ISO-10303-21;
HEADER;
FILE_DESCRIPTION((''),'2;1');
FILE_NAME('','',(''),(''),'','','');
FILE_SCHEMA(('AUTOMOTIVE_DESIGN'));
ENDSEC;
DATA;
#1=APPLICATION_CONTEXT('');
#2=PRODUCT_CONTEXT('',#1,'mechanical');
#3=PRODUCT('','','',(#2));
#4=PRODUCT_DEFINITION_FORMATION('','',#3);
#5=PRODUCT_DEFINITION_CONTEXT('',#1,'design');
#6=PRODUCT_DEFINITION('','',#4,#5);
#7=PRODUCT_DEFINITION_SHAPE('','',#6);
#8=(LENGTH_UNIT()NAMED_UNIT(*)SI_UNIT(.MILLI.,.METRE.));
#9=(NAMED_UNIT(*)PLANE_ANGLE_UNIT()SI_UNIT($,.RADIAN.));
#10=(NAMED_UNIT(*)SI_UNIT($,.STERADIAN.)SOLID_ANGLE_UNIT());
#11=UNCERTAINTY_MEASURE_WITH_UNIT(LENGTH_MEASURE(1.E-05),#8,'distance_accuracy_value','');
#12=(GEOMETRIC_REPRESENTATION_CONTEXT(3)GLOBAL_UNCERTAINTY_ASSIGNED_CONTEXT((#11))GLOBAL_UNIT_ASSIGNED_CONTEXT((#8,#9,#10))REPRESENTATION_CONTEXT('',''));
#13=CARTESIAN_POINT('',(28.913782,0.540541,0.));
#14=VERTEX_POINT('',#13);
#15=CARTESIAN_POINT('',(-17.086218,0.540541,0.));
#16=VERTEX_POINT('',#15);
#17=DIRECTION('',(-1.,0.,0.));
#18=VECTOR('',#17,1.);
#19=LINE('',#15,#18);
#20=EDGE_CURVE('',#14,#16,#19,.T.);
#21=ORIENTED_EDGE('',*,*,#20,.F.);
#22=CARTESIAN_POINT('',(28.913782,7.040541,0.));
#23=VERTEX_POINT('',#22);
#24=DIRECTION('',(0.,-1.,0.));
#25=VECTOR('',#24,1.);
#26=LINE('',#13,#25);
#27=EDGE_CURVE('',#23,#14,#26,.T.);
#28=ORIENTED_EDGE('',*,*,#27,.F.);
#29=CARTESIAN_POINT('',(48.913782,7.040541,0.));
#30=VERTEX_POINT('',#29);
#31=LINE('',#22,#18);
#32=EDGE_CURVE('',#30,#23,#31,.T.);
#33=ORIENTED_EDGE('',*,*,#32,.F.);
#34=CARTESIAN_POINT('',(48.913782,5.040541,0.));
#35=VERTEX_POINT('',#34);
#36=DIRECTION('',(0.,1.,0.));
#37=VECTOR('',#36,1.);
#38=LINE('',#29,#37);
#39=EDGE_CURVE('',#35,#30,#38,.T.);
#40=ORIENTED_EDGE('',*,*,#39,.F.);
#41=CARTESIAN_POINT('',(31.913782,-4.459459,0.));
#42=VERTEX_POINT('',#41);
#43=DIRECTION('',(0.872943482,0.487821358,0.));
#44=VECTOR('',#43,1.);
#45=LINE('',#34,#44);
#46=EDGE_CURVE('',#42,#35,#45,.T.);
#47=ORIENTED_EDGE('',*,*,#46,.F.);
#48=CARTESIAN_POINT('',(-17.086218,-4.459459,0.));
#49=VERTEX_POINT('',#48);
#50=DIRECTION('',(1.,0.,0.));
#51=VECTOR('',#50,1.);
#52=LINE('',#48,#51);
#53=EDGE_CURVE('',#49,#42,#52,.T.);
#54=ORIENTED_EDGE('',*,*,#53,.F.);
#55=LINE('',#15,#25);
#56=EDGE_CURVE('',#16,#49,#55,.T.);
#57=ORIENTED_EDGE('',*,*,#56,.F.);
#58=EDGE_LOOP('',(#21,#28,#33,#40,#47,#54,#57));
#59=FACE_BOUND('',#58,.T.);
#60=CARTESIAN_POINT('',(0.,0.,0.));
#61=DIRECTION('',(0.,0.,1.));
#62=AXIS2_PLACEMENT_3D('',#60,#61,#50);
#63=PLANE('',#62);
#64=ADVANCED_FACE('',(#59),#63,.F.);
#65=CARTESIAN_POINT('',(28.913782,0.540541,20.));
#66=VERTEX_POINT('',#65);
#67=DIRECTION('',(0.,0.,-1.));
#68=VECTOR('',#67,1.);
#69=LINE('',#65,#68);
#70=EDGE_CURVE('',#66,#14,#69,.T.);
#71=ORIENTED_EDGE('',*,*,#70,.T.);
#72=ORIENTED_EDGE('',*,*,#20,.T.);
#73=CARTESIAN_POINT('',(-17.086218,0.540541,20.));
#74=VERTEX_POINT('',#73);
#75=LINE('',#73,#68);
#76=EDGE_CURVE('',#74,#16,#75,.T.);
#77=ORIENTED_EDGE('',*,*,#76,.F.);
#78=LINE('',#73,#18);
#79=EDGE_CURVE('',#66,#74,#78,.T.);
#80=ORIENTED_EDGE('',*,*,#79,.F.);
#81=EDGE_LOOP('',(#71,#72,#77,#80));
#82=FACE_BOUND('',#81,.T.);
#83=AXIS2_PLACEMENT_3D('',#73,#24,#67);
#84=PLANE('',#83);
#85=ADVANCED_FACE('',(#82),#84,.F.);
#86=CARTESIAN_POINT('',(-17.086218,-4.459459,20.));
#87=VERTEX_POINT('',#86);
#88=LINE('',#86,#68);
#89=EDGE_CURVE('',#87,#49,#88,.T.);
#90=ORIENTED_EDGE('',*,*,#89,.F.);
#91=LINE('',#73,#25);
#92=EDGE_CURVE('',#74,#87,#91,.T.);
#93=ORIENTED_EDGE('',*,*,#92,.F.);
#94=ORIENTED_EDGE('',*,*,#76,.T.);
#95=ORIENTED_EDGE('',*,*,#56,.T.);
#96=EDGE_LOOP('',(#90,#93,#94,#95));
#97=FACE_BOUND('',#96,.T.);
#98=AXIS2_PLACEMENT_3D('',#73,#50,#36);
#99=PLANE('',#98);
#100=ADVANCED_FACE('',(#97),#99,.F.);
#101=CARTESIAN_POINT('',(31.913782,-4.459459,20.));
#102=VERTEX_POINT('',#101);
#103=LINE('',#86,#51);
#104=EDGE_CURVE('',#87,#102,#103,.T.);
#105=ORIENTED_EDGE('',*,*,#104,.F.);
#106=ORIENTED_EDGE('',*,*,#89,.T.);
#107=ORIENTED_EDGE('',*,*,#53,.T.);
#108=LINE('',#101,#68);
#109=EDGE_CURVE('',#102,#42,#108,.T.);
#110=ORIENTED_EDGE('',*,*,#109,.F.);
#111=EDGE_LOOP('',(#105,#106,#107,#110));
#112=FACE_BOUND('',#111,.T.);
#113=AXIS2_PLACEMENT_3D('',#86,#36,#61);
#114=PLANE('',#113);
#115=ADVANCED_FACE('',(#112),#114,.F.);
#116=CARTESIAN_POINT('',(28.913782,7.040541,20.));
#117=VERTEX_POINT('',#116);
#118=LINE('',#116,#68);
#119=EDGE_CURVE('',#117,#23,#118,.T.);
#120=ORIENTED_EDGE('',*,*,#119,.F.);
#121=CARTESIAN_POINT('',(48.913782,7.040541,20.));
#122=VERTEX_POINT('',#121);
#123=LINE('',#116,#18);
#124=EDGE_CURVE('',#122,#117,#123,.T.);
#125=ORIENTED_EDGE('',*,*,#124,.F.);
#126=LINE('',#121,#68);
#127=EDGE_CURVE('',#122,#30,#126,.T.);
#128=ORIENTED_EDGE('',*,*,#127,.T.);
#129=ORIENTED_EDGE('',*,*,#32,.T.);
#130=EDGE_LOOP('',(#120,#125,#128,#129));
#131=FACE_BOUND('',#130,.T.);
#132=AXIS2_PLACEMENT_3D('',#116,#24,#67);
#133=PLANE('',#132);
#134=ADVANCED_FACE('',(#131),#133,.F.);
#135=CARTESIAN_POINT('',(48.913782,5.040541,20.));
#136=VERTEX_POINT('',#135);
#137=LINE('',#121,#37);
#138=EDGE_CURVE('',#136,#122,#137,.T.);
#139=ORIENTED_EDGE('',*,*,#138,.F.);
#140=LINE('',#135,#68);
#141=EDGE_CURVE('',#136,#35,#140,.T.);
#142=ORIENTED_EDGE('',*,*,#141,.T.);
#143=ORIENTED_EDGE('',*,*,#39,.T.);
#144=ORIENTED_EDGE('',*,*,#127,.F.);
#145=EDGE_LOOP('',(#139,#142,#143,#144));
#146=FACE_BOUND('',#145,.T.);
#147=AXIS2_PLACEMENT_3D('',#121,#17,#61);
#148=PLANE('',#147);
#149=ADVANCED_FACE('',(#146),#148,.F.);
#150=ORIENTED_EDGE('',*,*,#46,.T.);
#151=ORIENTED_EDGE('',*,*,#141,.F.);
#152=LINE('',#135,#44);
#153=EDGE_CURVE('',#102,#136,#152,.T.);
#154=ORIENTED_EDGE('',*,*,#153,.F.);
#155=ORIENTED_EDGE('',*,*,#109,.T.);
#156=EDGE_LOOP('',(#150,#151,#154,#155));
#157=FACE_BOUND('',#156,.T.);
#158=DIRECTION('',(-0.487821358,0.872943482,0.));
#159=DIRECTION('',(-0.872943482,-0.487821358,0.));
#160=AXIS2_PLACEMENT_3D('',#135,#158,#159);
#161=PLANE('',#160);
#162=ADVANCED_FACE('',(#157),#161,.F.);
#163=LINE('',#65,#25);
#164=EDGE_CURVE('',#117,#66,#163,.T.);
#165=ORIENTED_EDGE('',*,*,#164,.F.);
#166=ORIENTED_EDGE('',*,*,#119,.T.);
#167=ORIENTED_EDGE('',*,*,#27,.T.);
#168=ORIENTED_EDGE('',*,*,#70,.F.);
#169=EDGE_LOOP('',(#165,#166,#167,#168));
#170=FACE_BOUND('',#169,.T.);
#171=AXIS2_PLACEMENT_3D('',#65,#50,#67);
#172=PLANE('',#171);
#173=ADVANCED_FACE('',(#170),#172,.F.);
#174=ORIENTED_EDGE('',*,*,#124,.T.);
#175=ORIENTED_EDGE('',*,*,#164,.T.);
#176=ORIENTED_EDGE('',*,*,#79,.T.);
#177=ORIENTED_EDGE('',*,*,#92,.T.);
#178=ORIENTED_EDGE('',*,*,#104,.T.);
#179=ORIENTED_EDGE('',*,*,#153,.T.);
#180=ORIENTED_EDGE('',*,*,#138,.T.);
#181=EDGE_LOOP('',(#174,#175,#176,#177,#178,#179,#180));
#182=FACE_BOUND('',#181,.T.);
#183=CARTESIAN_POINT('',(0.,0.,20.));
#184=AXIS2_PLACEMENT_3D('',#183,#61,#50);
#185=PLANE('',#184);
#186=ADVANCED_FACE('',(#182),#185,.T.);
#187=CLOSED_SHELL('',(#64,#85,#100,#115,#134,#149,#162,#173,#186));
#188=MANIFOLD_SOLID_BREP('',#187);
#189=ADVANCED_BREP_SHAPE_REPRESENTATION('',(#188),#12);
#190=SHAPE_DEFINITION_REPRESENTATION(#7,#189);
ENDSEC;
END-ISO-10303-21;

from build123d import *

# Parameters (mm, degrees)
SALIENTE_EXTRUIR1_DEPTH = 20


with BuildPart() as part:
    # Croquis1 → Saliente-Extruir1 (new body)
    with BuildSketch(Plane.XY):
        Polygon((-17.08621798, 0.540540541), (28.91378202, 0.540540541), (28.91378202, 7.040540541), (48.91378202, 7.040540541), (48.91378202, 5.040540541), (31.91378202, -4.459459459), (-17.08621798, -4.459459459), align=None)
    extrude(amount=SALIENTE_EXTRUIR1_DEPTH)


solid = part.part
